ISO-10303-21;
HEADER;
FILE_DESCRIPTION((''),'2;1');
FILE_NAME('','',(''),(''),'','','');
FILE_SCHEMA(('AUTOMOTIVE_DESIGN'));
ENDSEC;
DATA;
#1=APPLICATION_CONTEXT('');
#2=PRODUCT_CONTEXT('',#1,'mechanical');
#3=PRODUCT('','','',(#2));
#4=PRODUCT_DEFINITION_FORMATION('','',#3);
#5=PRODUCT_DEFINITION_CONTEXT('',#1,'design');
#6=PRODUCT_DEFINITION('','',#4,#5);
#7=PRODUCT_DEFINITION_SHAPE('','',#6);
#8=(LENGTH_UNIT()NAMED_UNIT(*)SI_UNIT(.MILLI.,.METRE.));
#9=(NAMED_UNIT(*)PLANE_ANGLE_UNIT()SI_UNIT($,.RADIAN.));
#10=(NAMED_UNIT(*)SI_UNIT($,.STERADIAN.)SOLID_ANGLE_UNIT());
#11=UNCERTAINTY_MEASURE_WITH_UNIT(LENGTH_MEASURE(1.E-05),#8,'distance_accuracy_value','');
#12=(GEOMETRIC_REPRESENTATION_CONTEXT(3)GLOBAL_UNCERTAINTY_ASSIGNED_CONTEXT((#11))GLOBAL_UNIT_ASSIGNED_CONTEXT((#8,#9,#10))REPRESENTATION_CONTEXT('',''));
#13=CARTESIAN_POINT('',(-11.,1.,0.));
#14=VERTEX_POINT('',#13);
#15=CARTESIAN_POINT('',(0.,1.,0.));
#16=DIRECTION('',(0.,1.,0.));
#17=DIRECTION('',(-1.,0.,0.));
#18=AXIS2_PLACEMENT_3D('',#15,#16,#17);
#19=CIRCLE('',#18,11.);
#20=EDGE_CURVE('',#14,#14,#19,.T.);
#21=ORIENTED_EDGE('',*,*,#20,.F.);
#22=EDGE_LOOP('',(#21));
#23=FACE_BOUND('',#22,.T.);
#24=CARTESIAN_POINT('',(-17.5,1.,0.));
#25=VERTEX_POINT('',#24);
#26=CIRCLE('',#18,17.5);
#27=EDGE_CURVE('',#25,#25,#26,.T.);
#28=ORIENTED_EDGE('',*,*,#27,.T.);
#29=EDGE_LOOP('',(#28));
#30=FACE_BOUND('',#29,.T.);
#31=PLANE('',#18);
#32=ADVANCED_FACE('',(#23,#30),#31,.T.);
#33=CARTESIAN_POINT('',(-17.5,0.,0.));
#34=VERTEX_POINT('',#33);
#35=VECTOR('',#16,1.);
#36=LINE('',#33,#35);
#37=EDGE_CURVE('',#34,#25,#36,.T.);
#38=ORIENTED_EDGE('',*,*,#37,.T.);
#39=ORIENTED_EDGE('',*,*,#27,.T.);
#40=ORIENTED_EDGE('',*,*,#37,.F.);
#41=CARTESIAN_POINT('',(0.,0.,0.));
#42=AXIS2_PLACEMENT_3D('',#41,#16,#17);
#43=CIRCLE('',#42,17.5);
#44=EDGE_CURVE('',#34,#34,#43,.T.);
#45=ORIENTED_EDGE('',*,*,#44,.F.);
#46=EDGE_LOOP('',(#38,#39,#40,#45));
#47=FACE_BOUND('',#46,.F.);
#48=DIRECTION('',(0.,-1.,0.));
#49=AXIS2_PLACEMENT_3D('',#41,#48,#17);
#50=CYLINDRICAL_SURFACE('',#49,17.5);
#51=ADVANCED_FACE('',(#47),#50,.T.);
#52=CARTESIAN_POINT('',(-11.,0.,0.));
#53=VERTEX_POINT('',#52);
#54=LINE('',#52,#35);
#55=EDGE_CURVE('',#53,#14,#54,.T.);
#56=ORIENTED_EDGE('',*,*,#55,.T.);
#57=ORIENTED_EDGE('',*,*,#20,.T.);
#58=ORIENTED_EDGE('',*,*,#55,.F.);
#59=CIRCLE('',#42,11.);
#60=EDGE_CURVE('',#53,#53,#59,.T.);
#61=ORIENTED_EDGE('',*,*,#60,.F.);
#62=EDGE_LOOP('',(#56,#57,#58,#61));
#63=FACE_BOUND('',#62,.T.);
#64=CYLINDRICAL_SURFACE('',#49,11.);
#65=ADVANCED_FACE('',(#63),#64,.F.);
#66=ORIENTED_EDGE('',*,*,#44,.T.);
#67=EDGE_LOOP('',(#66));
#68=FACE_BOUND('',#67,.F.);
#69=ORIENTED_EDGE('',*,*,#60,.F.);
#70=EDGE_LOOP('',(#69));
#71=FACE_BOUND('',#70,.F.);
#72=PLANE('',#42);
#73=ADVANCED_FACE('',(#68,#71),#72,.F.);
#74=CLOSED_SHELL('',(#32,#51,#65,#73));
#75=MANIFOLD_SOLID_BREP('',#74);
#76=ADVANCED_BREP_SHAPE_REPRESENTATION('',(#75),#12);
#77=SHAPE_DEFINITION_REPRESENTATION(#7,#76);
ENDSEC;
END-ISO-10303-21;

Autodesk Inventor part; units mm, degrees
ref_plane "YZ Plane" through (0, 0, 0) normal (1, 0, 0) x (0, 1, 0)
ref_plane "XZ Plane" through (0, 0, 0) normal (0, 1, 0) x (-1, 0, 0)
ref_plane "XY Plane" through (0, 0, 0) normal (0, 0, 1) x (1, 0, 0)
sketch "スケッチ1" plane through (0, 0, 0) normal (0, 1, 0) x (-1, 0, 0)
  circle A0 centre (0, 0) radius 11
  circle A1 centre (0, 0) radius 17.5
  dimension "d0" = 22
  dimension "d1" = 35
extrude "押し出し1" add sketch "スケッチ1" along normal blind 1
properties part number "spacer_22"
